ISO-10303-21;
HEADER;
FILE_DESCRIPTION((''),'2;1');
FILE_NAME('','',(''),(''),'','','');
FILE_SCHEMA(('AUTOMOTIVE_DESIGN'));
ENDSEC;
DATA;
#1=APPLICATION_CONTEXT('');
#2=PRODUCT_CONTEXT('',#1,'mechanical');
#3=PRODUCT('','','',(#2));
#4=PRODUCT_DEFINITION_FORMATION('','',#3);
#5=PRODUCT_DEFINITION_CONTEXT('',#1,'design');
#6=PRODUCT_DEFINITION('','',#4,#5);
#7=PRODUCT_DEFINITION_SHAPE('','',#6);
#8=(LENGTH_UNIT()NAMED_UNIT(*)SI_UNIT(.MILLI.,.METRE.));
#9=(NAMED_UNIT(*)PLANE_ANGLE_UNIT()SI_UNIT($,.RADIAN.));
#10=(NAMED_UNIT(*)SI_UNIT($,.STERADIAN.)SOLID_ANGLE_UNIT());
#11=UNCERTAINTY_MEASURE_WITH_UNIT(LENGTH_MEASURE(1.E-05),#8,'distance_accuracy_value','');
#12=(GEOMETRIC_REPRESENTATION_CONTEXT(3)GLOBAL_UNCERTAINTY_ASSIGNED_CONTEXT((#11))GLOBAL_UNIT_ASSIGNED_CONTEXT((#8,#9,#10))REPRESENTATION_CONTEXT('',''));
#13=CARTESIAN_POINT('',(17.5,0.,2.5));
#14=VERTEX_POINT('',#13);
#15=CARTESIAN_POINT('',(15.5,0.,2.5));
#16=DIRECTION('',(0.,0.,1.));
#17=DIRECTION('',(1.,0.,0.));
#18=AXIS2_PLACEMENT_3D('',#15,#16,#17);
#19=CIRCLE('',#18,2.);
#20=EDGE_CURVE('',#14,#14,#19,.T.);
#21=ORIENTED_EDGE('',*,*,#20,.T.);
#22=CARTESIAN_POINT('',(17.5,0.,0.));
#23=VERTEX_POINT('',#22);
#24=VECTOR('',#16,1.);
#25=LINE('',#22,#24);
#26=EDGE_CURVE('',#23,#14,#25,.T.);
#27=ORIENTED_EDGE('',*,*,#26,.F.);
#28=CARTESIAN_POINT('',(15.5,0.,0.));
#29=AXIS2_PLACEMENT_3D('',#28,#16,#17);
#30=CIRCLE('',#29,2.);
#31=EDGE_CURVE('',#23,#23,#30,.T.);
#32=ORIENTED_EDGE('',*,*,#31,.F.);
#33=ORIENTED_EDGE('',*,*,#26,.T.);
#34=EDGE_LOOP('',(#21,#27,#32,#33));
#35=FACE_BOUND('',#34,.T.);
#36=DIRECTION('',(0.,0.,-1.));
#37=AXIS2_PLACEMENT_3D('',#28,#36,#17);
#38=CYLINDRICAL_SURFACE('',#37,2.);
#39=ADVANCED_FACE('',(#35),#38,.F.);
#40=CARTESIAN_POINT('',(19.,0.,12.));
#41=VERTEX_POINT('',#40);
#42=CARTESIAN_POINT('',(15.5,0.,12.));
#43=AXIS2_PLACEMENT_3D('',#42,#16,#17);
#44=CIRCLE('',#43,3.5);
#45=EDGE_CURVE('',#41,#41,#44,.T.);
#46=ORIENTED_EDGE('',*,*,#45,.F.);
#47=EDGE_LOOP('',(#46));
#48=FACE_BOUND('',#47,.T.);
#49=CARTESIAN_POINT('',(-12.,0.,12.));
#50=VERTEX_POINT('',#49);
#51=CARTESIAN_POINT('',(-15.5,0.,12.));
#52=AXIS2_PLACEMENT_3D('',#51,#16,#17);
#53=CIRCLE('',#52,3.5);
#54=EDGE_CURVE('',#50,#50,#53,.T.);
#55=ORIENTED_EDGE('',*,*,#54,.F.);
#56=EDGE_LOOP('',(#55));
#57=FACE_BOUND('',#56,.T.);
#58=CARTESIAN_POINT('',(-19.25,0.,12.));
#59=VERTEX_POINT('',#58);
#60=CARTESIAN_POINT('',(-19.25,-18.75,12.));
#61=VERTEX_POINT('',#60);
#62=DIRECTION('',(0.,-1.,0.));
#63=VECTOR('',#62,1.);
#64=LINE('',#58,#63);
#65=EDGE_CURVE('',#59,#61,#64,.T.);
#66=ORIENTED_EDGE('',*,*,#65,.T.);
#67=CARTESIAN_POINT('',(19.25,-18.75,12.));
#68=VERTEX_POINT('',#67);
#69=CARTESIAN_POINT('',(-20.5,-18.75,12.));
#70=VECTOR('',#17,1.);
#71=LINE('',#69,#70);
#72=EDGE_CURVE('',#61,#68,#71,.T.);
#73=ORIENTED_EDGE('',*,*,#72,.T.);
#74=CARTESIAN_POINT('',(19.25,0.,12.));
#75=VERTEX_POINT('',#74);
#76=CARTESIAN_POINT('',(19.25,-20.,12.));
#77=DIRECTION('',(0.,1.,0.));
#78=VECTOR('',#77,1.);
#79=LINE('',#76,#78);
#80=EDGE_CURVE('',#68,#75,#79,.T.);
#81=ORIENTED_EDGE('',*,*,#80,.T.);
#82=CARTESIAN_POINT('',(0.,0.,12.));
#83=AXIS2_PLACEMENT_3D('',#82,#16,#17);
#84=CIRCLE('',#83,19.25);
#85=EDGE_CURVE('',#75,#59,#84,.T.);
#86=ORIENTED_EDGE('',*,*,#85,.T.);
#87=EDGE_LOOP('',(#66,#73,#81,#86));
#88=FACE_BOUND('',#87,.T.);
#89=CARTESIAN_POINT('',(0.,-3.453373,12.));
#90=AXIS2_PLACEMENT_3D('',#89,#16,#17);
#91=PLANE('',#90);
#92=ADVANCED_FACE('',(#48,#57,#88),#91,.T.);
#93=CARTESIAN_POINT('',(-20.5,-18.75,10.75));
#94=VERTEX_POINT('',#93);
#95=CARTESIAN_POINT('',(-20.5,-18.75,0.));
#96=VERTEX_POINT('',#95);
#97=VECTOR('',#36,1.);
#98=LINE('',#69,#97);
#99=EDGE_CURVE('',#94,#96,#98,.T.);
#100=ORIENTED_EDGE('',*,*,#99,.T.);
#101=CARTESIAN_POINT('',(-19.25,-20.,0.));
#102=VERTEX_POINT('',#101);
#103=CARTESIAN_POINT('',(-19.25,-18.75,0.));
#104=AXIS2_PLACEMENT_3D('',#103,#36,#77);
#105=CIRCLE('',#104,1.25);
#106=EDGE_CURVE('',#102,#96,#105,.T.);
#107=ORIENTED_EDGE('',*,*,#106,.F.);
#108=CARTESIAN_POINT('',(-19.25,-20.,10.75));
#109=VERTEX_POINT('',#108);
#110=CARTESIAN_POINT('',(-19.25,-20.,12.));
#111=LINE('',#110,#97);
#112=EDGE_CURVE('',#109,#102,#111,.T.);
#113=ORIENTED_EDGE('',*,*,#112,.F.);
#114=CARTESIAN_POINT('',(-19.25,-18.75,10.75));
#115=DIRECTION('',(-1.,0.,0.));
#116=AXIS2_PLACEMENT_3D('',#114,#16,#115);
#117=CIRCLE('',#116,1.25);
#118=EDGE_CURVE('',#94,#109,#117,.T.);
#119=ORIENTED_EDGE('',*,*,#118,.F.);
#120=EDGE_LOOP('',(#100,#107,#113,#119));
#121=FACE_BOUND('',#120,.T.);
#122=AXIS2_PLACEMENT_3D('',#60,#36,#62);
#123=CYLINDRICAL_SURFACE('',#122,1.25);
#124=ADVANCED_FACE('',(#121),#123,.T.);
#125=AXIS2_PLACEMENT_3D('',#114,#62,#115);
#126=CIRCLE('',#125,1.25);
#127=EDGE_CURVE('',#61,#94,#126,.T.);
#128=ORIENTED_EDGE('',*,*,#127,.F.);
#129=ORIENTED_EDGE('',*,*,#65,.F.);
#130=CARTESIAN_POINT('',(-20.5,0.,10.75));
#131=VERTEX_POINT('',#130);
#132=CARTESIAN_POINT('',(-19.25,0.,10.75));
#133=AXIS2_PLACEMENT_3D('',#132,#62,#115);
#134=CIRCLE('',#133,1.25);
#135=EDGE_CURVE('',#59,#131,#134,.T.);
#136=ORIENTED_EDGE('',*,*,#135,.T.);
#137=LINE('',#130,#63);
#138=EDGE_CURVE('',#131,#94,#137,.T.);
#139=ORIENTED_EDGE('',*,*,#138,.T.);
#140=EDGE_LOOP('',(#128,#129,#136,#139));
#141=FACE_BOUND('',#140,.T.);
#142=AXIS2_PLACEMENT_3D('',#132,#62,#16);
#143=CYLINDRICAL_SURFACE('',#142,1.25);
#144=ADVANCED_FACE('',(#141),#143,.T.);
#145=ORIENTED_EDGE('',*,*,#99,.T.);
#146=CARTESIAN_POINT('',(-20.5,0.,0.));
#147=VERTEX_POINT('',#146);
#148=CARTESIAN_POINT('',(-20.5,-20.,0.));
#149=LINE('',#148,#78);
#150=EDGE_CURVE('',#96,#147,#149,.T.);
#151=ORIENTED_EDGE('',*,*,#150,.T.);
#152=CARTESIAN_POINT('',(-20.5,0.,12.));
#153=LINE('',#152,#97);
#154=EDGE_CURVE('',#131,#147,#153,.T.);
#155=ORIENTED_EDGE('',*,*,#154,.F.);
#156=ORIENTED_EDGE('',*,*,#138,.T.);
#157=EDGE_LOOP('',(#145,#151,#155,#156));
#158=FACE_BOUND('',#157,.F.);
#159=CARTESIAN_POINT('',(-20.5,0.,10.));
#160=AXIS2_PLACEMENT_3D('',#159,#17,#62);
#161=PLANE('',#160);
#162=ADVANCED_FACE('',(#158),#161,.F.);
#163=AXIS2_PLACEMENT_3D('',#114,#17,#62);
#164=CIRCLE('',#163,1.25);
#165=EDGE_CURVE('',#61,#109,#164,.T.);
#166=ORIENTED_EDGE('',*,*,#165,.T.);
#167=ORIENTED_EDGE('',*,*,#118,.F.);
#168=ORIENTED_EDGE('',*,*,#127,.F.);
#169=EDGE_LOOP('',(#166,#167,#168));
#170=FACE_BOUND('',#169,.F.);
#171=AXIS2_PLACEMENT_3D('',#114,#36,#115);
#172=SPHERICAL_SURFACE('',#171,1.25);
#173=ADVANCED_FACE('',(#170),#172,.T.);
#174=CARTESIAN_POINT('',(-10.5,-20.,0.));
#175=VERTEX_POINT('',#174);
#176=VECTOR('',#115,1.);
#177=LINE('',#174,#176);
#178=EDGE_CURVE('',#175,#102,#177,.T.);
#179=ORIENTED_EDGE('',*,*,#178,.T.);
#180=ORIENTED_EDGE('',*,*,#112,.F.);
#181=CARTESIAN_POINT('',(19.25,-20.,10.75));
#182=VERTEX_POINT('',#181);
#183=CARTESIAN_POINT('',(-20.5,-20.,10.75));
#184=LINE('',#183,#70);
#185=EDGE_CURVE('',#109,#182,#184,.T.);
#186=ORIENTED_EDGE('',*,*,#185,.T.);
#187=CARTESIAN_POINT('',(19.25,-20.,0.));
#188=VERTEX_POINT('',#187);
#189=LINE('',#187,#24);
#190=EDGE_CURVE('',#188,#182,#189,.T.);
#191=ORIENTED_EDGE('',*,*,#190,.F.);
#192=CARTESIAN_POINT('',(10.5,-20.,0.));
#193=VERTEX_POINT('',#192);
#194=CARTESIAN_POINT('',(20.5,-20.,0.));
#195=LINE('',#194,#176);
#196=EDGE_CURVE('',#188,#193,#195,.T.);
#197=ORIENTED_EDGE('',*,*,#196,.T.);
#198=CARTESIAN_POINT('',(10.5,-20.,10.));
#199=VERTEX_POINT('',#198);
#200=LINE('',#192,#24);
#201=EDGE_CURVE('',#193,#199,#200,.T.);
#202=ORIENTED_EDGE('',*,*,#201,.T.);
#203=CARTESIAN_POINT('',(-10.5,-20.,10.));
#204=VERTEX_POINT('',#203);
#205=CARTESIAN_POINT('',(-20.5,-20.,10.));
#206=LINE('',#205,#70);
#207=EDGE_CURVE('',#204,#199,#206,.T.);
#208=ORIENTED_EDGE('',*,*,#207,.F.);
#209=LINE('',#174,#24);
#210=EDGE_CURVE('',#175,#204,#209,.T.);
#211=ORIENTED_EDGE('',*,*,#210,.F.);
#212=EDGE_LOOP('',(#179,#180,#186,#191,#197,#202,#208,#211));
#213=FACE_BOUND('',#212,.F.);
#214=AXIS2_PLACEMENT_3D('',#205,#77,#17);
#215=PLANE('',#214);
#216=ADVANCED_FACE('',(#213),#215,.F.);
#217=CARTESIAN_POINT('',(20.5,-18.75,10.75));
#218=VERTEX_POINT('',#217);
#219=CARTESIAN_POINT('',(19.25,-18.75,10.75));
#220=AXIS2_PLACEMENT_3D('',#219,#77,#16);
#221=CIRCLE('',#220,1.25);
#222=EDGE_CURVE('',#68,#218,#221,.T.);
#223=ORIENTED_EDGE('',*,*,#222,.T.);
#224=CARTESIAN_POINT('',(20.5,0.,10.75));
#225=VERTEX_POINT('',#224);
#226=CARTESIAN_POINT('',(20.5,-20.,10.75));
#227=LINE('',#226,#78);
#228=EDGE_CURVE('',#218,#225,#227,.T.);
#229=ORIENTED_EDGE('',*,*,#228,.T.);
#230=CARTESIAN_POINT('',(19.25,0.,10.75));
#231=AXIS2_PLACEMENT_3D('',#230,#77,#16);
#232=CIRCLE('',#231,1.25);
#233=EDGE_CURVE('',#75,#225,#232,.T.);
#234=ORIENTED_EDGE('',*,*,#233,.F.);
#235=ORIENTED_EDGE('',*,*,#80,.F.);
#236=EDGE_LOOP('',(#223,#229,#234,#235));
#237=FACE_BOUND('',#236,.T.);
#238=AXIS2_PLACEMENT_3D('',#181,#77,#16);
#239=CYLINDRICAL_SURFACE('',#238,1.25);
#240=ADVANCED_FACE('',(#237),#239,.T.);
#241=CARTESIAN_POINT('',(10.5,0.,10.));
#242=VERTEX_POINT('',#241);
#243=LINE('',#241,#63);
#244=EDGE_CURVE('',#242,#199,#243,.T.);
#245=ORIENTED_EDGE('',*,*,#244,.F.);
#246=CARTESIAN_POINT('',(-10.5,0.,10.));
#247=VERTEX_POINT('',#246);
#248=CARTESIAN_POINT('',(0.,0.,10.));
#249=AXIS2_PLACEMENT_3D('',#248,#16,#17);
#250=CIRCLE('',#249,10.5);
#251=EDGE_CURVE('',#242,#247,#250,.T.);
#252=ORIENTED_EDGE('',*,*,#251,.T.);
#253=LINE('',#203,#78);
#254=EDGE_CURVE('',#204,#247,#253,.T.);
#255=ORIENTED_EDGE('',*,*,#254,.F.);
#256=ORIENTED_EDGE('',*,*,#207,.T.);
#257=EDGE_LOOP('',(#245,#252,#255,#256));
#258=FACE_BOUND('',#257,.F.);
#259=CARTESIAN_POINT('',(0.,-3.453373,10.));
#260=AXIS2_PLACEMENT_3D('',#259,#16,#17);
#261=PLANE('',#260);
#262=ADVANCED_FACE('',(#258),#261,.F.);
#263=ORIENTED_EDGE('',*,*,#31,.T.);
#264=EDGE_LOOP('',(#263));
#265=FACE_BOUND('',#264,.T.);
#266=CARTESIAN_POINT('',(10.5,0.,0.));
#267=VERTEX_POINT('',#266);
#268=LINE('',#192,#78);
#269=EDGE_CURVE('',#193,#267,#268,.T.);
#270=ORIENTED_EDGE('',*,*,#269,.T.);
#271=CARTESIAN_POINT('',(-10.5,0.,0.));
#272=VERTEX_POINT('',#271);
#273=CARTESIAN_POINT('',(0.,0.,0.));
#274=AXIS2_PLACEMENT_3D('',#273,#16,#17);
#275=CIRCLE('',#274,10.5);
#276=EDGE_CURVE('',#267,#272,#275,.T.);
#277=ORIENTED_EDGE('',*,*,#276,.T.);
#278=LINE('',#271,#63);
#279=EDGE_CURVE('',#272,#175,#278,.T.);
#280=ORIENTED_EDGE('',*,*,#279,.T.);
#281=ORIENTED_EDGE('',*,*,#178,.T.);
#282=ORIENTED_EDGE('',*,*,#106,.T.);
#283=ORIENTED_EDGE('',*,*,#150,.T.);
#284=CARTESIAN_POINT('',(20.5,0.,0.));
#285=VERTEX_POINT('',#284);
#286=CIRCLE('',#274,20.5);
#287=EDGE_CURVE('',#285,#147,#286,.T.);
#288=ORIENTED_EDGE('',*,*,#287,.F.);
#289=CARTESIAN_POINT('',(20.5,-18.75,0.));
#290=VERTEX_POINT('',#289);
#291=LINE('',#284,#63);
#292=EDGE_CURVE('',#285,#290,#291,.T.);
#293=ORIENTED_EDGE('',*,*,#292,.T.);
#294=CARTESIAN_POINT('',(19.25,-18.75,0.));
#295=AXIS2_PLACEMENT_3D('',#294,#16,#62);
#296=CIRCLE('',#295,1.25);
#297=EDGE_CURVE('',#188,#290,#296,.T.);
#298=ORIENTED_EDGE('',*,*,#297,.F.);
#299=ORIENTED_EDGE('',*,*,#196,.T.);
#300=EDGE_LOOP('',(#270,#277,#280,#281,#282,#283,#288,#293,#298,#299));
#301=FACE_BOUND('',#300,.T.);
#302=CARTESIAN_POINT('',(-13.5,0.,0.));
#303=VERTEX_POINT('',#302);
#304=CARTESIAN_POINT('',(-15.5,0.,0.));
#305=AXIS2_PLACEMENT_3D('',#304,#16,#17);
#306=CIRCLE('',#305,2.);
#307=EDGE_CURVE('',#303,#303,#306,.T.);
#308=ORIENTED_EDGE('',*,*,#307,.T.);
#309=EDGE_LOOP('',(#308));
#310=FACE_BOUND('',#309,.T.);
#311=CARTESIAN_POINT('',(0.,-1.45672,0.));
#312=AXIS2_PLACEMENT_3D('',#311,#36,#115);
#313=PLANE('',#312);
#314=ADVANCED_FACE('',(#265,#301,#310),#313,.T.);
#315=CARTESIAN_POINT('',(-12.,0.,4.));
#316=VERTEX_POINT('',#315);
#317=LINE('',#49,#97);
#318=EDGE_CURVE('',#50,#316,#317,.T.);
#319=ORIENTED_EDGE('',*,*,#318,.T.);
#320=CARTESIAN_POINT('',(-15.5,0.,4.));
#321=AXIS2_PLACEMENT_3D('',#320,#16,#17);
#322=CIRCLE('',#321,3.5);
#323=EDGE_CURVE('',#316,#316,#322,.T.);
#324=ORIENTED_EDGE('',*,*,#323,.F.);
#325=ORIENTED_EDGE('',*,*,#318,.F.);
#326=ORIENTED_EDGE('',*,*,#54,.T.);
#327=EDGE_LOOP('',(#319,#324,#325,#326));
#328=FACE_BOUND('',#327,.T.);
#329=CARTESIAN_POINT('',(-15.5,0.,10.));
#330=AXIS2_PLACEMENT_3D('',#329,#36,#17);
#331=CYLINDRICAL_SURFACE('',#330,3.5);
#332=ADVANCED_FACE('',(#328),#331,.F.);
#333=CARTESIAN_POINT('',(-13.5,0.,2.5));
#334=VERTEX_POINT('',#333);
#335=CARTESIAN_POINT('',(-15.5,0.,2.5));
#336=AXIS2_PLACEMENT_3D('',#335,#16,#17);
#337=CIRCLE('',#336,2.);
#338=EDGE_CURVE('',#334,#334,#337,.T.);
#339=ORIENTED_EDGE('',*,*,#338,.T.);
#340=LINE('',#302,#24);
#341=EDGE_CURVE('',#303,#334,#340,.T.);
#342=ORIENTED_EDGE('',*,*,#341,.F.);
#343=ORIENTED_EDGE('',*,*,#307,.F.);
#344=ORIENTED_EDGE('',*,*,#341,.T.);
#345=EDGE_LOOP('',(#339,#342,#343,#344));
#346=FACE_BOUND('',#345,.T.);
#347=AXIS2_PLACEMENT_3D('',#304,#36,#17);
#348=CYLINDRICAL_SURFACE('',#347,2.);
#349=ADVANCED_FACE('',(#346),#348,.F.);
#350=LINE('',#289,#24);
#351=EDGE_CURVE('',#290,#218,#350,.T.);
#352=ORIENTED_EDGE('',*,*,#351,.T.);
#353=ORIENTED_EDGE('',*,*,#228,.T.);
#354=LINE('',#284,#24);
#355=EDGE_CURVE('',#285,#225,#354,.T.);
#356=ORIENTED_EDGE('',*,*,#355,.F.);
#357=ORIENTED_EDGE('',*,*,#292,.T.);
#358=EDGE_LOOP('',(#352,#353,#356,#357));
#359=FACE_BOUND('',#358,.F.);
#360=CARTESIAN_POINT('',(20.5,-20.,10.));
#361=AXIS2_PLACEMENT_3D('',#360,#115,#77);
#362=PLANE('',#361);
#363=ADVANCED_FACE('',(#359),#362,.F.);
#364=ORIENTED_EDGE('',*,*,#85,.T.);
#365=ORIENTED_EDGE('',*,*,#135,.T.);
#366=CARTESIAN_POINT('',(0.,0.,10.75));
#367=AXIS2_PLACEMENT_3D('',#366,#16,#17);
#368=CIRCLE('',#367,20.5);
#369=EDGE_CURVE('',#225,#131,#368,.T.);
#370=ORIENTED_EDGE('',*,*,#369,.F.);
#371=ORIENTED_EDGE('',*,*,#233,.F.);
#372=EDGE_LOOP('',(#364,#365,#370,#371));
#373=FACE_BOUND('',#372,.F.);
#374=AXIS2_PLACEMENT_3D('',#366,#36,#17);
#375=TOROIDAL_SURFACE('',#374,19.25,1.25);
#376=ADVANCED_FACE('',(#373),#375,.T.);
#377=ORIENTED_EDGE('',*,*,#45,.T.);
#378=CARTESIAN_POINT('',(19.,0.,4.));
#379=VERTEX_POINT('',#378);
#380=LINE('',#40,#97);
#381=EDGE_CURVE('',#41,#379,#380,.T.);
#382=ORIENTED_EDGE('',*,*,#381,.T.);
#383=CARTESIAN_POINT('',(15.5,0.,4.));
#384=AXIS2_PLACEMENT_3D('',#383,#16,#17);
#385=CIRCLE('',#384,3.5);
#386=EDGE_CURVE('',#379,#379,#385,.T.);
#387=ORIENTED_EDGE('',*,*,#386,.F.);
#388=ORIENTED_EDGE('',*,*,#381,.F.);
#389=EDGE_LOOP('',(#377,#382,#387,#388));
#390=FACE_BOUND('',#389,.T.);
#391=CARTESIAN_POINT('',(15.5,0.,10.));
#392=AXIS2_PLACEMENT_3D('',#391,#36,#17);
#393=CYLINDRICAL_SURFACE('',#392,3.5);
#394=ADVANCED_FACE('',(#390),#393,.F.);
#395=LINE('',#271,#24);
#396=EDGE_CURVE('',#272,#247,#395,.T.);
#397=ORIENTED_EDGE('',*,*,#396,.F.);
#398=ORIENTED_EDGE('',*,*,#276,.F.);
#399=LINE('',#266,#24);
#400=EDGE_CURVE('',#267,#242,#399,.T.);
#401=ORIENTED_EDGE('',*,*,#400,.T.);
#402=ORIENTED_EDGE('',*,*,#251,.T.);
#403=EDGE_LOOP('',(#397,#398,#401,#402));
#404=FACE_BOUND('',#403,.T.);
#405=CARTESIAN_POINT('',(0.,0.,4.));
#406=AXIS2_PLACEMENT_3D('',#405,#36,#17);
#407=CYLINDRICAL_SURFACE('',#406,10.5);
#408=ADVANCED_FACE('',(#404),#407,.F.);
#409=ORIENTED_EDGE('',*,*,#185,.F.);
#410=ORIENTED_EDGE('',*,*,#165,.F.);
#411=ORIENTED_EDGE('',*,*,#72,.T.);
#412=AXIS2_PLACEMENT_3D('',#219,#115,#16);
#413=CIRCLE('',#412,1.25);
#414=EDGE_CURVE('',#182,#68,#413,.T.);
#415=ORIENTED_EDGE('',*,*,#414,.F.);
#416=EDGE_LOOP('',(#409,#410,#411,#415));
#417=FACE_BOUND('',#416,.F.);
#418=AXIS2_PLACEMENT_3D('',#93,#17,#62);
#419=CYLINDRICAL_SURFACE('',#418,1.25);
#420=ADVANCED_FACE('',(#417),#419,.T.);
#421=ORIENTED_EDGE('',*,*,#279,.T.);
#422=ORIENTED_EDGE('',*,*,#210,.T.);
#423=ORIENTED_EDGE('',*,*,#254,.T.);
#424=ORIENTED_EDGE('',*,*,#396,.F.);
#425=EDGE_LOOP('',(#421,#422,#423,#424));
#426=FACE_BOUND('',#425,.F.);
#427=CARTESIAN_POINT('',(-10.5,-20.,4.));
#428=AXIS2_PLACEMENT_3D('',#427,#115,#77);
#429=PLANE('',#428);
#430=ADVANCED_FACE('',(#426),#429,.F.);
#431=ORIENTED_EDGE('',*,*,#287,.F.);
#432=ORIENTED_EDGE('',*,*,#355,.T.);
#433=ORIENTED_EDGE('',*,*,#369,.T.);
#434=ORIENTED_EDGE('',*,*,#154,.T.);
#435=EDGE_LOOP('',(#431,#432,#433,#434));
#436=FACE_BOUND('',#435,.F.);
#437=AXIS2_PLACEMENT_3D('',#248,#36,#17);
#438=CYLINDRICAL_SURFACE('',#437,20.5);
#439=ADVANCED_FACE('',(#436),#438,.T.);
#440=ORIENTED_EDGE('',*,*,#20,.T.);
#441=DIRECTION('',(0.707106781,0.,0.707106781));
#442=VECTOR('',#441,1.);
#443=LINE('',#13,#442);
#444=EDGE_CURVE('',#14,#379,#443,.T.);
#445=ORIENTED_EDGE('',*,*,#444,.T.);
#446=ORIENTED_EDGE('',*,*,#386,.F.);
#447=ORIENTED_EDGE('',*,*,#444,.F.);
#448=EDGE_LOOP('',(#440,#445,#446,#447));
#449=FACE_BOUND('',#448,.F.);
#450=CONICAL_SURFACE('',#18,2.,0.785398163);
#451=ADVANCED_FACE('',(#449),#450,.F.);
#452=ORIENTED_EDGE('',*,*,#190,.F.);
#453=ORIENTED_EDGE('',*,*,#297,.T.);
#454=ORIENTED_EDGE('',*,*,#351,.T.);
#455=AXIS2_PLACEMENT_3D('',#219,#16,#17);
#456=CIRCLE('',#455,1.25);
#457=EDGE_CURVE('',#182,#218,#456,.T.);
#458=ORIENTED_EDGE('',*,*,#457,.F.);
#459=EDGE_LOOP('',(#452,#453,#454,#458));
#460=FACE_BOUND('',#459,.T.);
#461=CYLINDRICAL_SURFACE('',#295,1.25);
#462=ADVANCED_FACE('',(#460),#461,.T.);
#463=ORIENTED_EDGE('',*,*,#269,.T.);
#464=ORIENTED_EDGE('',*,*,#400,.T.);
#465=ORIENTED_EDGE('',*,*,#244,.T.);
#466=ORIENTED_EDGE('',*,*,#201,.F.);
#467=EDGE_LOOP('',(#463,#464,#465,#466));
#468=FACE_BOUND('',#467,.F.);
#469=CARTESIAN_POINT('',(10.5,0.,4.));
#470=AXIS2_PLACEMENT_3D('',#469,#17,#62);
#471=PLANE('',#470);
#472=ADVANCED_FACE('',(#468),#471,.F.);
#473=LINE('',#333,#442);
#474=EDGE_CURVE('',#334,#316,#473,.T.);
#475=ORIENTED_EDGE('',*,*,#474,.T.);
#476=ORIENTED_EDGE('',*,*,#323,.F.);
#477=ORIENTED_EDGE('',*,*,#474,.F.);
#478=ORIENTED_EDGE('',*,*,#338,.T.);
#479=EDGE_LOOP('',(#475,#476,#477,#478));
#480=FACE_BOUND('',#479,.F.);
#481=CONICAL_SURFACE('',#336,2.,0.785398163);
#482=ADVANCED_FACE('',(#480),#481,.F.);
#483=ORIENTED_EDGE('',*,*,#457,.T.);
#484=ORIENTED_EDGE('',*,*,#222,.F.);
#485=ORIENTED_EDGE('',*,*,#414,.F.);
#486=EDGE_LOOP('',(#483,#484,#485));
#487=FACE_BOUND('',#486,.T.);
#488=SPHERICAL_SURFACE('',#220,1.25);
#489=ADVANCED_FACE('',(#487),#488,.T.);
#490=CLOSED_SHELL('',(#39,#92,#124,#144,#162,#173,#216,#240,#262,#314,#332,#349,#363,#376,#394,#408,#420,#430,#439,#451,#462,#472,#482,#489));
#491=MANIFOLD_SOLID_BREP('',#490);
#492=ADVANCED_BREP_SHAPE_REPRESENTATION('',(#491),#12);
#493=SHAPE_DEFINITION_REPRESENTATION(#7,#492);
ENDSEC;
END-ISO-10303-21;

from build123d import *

# Parameters (mm, degrees)
SKETCH_R     = 2
PAD_DEPTH    = 4
CHAMFER_SIZE = 1.5
SKETCH001_R  = 3.5
PAD001_DEPTH = 6
SKETCH002_R  = 3.5
PAD002_DEPTH = 2
FILLET_R     = 1.25


with BuildPart() as part:
    # Sketch → Pad (new body)
    with BuildSketch(Plane.XY):
        with BuildLine():
            Line((-10.5, 0), (-10.5, -20))
            Line((-10.5, -20), (-20.5, -20))
            Line((-20.5, -20), (-20.5, 0))
            ThreePointArc((20.5, 0), (0, 20.5), (-20.5, 0))
            Line((20.5, 0), (20.5, -20))
            Line((20.5, -20), (10.5, -20))
            Line((10.5, -20), (10.5, 0))
            ThreePointArc((10.5, 0), (0, 10.5), (-10.5, 0))
        make_face()
        with Locations((-15.5, 0)):
            Circle(SKETCH_R, mode=Mode.SUBTRACT)
        with Locations((15.5, 0)):
            Circle(SKETCH_R, mode=Mode.SUBTRACT)
    extrude(amount=PAD_DEPTH)

    # Chamfer
    chamfer_edges = [part.edges().sort_by_distance(p)[0] for p in [
        (13.5, 0, 4),
        (-17.5, 0, 4),
    ]]
    chamfer(chamfer_edges, length=CHAMFER_SIZE)

    # Sketch001 (on Face4 of Chamfer) → Pad001 (join)
    with BuildSketch(Plane.XY.offset(4)):
        with BuildLine():
            Line((-10.5, -20), (-20.5, -20))
            Line((-20.5, -20), (-20.5, 0))
            ThreePointArc((20.5, 0), (0, 20.5), (-20.5, 0))
            Line((20.5, -20), (20.5, 0))
            Line((10.5, -20), (20.5, -20))
            Line((10.5, 0), (10.5, -20))
            ThreePointArc((10.5, 0), (0, 10.5), (-10.5, 0))
            Line((-10.5, -20), (-10.5, 0))
        make_face()
        with Locations((-15.5, 0)):
            Circle(SKETCH001_R, mode=Mode.SUBTRACT)
        with Locations((15.5, 0)):
            Circle(SKETCH001_R, mode=Mode.SUBTRACT)
    extrude(amount=PAD001_DEPTH)

    # Sketch002 (on Face14 of Pad001) → Pad002 (join)
    with BuildSketch(Plane.XY.offset(10)):
        with BuildLine():
            Line((-20.5, -20), (20.5, -20))
            Line((20.5, -20), (20.5, 0))
            ThreePointArc((20.5, 0), (0, 20.5), (-20.5, 0))
            Line((-20.5, 0), (-20.5, -20))
        make_face()
        with Locations((-15.5, 0)):
            Circle(SKETCH002_R, mode=Mode.SUBTRACT)
        with Locations((15.5, 0)):
            Circle(SKETCH002_R, mode=Mode.SUBTRACT)
    extrude(amount=PAD002_DEPTH)

    # Fillet
    fillet_edges = [part.edges().sort_by_distance(p)[0] for p in [
        (-20.5, -20, 2),
        (-20.5, -20, 7),
        (-20.5, -20, 11),
        (-20.5, -10, 12),
        (0, 20.5, 12),
        (0, -20, 12),
        (20.5, -10, 12),
        (20.5, -20, 11),
        (20.5, -20, 7),
        (20.5, -20, 2),
    ]]
    fillet(fillet_edges, radius=FILLET_R)


solid = part.part
